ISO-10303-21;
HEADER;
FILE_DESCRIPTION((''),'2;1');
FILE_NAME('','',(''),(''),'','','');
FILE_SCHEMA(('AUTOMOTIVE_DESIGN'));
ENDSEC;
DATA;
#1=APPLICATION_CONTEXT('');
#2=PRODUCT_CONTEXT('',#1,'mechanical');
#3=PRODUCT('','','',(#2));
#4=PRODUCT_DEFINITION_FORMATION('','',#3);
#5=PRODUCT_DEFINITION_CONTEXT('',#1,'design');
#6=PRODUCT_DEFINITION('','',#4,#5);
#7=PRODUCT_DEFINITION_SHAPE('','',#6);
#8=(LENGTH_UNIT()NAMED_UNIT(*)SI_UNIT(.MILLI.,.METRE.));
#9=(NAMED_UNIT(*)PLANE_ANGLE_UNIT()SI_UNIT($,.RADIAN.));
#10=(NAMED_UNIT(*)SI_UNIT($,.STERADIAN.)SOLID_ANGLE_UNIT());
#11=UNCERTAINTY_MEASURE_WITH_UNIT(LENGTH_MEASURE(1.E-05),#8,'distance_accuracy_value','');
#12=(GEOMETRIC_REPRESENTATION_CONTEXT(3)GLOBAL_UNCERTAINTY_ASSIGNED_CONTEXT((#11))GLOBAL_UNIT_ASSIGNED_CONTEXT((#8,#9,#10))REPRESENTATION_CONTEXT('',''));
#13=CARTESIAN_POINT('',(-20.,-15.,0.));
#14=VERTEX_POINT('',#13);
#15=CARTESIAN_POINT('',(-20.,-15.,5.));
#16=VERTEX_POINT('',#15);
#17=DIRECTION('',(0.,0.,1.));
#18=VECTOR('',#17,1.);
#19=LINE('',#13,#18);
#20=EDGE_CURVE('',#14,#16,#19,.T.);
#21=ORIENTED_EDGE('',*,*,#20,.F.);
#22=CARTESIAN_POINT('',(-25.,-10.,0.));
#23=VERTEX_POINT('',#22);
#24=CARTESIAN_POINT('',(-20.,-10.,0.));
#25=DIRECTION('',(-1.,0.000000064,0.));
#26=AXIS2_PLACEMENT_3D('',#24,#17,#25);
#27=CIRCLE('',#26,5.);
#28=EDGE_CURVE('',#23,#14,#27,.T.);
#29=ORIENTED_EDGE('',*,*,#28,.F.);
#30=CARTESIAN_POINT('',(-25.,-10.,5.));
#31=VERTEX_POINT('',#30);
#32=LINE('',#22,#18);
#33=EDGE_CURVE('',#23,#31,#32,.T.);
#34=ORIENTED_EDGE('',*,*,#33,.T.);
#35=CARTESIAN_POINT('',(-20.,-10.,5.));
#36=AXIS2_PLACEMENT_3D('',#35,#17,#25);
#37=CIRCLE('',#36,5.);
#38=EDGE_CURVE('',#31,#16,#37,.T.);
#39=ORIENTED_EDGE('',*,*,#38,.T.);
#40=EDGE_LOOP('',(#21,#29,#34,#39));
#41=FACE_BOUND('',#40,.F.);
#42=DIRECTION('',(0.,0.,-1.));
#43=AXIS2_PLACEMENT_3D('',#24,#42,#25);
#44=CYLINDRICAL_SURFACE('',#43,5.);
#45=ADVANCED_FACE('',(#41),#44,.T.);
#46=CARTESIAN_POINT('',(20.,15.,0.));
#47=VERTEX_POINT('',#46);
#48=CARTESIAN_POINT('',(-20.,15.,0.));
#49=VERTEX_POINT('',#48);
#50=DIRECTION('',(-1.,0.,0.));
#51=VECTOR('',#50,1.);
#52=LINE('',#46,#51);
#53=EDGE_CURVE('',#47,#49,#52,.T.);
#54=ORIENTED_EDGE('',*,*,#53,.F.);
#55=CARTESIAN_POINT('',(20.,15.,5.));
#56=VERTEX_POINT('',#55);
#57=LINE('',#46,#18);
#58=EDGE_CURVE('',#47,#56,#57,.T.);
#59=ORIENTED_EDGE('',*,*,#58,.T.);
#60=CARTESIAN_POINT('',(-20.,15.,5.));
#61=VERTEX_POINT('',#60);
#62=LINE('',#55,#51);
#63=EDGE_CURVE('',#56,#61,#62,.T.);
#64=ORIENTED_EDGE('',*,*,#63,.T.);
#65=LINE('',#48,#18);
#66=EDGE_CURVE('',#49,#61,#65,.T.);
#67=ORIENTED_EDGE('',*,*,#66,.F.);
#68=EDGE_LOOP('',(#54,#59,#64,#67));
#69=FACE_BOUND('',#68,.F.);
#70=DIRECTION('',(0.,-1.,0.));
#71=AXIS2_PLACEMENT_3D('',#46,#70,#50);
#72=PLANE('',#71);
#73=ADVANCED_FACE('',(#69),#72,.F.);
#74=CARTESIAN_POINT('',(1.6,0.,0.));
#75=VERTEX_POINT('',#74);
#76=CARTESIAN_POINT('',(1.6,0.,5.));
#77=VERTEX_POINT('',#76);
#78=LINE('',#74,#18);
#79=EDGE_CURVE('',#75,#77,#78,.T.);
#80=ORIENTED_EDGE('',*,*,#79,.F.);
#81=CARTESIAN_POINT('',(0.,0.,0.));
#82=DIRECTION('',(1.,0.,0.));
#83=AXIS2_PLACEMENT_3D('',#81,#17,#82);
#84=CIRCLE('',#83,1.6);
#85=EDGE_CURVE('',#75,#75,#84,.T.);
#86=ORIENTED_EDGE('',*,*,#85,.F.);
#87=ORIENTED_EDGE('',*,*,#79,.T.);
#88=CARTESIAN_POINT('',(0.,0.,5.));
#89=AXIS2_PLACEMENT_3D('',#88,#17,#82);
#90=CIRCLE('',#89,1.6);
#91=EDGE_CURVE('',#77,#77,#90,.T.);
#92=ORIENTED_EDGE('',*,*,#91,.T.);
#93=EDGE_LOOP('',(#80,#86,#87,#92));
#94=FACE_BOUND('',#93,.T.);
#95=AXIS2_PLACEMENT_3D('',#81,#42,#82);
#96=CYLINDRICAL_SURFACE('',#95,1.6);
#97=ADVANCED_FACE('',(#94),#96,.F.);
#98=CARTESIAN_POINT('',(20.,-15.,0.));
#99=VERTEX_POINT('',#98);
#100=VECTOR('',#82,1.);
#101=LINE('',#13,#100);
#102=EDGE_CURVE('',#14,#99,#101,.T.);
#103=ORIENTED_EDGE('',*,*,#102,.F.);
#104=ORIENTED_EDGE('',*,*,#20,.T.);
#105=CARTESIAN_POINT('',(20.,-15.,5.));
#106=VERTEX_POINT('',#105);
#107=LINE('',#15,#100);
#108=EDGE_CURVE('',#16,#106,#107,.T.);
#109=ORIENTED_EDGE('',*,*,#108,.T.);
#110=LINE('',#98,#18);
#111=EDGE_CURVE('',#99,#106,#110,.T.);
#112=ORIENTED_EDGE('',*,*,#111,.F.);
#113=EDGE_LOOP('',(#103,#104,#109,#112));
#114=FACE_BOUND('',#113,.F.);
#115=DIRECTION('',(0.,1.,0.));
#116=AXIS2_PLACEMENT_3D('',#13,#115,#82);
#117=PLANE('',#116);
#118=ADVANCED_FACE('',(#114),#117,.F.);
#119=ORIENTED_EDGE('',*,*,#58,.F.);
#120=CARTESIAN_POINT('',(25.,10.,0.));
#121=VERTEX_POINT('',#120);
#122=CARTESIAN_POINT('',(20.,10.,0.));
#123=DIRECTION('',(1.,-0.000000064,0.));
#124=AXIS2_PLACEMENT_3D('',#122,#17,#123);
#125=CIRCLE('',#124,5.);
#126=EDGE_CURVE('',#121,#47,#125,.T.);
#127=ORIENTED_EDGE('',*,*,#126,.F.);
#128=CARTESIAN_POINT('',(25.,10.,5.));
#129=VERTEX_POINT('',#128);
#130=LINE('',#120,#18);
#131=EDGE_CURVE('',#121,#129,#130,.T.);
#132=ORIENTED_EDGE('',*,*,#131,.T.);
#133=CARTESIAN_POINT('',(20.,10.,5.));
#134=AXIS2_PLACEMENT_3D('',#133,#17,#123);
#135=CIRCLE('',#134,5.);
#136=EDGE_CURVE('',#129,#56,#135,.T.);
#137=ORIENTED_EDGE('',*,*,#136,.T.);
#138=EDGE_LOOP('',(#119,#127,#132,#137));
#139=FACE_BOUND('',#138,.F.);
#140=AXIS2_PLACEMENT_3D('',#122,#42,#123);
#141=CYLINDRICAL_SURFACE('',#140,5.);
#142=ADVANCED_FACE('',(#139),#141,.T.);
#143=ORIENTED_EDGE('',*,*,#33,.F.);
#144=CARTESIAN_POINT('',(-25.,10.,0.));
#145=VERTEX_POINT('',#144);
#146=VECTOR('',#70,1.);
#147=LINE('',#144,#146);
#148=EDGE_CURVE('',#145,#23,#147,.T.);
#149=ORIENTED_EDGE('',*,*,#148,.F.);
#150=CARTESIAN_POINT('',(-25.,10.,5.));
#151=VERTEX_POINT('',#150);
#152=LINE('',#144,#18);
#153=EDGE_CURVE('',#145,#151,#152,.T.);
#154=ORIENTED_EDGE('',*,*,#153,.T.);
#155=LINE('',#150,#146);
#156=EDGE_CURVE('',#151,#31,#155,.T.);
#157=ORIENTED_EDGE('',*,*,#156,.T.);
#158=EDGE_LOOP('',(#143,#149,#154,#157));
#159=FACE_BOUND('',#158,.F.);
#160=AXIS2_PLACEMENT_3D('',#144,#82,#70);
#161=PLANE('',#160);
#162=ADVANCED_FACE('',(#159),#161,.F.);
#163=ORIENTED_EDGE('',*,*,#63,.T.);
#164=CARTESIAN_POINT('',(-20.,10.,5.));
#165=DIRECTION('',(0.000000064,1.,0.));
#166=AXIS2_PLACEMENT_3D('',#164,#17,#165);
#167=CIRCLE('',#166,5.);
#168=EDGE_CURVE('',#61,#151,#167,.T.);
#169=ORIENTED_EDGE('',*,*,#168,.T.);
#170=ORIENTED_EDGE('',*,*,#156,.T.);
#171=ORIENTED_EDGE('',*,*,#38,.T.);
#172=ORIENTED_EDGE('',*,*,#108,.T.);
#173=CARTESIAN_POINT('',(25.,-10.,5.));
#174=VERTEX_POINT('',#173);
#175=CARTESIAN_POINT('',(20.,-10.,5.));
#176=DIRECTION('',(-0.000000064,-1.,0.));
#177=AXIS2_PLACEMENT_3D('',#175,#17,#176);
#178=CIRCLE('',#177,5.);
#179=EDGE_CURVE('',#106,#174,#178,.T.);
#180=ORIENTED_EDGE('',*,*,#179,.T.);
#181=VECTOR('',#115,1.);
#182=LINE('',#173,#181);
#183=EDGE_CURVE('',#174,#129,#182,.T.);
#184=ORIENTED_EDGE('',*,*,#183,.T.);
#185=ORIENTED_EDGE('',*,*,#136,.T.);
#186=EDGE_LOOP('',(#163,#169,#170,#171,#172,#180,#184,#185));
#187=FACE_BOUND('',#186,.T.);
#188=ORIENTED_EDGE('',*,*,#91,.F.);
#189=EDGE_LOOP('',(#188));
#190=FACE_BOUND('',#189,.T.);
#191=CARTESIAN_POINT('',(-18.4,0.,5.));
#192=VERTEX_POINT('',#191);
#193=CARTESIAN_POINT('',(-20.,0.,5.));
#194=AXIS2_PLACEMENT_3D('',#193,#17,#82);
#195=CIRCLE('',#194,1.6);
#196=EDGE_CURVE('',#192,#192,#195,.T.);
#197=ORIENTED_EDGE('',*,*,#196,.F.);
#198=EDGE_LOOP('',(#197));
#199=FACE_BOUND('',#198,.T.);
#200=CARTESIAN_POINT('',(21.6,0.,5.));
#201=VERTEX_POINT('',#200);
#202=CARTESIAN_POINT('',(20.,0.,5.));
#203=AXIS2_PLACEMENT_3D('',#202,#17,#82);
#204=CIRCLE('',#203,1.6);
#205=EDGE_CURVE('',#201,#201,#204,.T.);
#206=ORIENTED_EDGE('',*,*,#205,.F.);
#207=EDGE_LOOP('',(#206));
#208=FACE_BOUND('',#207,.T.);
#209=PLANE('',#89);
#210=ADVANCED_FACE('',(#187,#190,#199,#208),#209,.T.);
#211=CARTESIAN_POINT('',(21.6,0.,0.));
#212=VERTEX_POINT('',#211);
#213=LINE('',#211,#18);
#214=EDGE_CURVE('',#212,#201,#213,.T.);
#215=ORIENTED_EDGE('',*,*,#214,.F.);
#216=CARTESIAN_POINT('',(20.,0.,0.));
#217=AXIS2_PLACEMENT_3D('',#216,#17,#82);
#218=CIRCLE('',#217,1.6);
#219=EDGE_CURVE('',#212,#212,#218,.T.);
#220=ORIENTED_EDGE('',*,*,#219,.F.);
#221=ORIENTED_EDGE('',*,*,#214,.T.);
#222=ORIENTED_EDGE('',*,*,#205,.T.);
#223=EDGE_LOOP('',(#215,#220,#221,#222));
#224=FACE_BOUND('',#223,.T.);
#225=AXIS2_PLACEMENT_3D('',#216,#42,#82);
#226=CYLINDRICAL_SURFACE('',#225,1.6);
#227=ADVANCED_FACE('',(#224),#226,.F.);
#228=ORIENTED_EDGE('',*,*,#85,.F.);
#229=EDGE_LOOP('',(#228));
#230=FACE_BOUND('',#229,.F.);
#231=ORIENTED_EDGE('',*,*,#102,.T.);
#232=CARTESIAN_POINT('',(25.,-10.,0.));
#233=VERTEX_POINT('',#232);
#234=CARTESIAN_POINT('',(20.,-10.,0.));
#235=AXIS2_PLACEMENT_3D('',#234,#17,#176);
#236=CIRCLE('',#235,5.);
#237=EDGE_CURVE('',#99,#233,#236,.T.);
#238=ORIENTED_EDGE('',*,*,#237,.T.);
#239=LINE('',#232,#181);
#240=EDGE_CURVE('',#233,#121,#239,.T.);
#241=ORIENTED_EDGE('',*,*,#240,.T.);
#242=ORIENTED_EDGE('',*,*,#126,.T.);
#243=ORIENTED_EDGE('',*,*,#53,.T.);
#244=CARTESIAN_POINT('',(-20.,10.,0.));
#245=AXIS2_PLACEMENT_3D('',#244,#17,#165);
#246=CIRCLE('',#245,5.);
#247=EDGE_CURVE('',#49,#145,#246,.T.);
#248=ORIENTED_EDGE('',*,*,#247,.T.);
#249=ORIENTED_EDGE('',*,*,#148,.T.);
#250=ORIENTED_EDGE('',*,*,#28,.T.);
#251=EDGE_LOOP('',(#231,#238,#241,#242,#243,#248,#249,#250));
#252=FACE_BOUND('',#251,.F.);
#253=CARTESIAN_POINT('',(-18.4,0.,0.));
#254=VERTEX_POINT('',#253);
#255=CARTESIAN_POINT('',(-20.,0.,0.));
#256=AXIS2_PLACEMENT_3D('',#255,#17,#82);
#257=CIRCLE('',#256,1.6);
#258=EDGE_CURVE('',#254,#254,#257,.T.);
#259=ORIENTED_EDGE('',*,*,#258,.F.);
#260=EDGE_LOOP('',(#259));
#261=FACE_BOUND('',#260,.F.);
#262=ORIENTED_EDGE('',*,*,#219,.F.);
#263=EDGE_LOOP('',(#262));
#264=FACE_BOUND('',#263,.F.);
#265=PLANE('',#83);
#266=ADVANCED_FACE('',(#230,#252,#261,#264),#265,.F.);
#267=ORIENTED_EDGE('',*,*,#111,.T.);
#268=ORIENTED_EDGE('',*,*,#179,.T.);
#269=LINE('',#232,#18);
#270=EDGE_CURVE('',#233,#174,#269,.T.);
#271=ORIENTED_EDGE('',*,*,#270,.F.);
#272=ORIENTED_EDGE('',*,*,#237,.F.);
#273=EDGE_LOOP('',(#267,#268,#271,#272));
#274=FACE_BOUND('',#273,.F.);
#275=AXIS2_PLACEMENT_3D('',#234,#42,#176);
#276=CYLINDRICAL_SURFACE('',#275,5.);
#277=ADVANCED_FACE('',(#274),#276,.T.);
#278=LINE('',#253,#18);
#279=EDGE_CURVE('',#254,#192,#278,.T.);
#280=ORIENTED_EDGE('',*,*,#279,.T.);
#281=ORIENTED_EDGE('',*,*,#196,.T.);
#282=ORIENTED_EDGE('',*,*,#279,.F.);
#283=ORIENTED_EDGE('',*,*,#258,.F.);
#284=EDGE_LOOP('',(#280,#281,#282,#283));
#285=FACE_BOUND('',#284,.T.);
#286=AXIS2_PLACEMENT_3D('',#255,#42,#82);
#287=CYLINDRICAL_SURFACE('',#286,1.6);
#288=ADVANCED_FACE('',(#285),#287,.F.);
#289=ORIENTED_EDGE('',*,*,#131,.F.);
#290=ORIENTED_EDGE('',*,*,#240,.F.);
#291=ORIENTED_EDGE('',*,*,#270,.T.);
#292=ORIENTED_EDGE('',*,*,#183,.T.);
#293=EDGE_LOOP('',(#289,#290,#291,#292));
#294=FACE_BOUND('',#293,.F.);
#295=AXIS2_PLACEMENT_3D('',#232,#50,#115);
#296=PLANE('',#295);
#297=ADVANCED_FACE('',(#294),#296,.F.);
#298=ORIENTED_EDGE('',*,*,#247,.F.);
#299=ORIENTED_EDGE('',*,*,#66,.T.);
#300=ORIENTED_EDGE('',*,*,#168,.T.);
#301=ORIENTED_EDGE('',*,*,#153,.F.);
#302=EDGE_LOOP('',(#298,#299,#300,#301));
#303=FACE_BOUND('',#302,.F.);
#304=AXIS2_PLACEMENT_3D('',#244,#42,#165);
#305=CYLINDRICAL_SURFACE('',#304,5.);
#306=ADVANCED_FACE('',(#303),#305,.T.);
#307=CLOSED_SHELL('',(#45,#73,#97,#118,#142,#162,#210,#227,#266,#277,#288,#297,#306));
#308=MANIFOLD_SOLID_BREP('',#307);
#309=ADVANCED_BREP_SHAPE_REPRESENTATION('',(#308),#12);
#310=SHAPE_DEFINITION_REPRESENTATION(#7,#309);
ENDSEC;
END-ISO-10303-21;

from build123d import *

# Parameters (mm, degrees)
F0_R     = 1.6
F1_DEPTH = 5


with BuildPart() as f1:
    # F0 (on Top) → F1 (new body)
    with BuildSketch(Plane.XY):
        with BuildLine():
            ThreePointArc((25, 10), (23.535534, 13.535534), (20, 15))
            Line((20, 15), (-20, 15))
            ThreePointArc((-20, 15), (-23.535534, 13.535534), (-25, 10))
            Line((-25, 10), (-25, -10))
            ThreePointArc((-25, -10), (-23.535534, -13.535534), (-20, -15))
            Line((-20, -15), (20, -15))
            ThreePointArc((20, -15), (23.535534, -13.535534), (25, -10))
            Line((25, -10), (25, 10))
        make_face()
        with Locations((-20, 0)):
            Circle(F0_R, mode=Mode.SUBTRACT)
        Circle(F0_R, mode=Mode.SUBTRACT)
        with Locations((20, 0)):
            Circle(F0_R, mode=Mode.SUBTRACT)
    extrude(amount=F1_DEPTH)


solid = f1.part
